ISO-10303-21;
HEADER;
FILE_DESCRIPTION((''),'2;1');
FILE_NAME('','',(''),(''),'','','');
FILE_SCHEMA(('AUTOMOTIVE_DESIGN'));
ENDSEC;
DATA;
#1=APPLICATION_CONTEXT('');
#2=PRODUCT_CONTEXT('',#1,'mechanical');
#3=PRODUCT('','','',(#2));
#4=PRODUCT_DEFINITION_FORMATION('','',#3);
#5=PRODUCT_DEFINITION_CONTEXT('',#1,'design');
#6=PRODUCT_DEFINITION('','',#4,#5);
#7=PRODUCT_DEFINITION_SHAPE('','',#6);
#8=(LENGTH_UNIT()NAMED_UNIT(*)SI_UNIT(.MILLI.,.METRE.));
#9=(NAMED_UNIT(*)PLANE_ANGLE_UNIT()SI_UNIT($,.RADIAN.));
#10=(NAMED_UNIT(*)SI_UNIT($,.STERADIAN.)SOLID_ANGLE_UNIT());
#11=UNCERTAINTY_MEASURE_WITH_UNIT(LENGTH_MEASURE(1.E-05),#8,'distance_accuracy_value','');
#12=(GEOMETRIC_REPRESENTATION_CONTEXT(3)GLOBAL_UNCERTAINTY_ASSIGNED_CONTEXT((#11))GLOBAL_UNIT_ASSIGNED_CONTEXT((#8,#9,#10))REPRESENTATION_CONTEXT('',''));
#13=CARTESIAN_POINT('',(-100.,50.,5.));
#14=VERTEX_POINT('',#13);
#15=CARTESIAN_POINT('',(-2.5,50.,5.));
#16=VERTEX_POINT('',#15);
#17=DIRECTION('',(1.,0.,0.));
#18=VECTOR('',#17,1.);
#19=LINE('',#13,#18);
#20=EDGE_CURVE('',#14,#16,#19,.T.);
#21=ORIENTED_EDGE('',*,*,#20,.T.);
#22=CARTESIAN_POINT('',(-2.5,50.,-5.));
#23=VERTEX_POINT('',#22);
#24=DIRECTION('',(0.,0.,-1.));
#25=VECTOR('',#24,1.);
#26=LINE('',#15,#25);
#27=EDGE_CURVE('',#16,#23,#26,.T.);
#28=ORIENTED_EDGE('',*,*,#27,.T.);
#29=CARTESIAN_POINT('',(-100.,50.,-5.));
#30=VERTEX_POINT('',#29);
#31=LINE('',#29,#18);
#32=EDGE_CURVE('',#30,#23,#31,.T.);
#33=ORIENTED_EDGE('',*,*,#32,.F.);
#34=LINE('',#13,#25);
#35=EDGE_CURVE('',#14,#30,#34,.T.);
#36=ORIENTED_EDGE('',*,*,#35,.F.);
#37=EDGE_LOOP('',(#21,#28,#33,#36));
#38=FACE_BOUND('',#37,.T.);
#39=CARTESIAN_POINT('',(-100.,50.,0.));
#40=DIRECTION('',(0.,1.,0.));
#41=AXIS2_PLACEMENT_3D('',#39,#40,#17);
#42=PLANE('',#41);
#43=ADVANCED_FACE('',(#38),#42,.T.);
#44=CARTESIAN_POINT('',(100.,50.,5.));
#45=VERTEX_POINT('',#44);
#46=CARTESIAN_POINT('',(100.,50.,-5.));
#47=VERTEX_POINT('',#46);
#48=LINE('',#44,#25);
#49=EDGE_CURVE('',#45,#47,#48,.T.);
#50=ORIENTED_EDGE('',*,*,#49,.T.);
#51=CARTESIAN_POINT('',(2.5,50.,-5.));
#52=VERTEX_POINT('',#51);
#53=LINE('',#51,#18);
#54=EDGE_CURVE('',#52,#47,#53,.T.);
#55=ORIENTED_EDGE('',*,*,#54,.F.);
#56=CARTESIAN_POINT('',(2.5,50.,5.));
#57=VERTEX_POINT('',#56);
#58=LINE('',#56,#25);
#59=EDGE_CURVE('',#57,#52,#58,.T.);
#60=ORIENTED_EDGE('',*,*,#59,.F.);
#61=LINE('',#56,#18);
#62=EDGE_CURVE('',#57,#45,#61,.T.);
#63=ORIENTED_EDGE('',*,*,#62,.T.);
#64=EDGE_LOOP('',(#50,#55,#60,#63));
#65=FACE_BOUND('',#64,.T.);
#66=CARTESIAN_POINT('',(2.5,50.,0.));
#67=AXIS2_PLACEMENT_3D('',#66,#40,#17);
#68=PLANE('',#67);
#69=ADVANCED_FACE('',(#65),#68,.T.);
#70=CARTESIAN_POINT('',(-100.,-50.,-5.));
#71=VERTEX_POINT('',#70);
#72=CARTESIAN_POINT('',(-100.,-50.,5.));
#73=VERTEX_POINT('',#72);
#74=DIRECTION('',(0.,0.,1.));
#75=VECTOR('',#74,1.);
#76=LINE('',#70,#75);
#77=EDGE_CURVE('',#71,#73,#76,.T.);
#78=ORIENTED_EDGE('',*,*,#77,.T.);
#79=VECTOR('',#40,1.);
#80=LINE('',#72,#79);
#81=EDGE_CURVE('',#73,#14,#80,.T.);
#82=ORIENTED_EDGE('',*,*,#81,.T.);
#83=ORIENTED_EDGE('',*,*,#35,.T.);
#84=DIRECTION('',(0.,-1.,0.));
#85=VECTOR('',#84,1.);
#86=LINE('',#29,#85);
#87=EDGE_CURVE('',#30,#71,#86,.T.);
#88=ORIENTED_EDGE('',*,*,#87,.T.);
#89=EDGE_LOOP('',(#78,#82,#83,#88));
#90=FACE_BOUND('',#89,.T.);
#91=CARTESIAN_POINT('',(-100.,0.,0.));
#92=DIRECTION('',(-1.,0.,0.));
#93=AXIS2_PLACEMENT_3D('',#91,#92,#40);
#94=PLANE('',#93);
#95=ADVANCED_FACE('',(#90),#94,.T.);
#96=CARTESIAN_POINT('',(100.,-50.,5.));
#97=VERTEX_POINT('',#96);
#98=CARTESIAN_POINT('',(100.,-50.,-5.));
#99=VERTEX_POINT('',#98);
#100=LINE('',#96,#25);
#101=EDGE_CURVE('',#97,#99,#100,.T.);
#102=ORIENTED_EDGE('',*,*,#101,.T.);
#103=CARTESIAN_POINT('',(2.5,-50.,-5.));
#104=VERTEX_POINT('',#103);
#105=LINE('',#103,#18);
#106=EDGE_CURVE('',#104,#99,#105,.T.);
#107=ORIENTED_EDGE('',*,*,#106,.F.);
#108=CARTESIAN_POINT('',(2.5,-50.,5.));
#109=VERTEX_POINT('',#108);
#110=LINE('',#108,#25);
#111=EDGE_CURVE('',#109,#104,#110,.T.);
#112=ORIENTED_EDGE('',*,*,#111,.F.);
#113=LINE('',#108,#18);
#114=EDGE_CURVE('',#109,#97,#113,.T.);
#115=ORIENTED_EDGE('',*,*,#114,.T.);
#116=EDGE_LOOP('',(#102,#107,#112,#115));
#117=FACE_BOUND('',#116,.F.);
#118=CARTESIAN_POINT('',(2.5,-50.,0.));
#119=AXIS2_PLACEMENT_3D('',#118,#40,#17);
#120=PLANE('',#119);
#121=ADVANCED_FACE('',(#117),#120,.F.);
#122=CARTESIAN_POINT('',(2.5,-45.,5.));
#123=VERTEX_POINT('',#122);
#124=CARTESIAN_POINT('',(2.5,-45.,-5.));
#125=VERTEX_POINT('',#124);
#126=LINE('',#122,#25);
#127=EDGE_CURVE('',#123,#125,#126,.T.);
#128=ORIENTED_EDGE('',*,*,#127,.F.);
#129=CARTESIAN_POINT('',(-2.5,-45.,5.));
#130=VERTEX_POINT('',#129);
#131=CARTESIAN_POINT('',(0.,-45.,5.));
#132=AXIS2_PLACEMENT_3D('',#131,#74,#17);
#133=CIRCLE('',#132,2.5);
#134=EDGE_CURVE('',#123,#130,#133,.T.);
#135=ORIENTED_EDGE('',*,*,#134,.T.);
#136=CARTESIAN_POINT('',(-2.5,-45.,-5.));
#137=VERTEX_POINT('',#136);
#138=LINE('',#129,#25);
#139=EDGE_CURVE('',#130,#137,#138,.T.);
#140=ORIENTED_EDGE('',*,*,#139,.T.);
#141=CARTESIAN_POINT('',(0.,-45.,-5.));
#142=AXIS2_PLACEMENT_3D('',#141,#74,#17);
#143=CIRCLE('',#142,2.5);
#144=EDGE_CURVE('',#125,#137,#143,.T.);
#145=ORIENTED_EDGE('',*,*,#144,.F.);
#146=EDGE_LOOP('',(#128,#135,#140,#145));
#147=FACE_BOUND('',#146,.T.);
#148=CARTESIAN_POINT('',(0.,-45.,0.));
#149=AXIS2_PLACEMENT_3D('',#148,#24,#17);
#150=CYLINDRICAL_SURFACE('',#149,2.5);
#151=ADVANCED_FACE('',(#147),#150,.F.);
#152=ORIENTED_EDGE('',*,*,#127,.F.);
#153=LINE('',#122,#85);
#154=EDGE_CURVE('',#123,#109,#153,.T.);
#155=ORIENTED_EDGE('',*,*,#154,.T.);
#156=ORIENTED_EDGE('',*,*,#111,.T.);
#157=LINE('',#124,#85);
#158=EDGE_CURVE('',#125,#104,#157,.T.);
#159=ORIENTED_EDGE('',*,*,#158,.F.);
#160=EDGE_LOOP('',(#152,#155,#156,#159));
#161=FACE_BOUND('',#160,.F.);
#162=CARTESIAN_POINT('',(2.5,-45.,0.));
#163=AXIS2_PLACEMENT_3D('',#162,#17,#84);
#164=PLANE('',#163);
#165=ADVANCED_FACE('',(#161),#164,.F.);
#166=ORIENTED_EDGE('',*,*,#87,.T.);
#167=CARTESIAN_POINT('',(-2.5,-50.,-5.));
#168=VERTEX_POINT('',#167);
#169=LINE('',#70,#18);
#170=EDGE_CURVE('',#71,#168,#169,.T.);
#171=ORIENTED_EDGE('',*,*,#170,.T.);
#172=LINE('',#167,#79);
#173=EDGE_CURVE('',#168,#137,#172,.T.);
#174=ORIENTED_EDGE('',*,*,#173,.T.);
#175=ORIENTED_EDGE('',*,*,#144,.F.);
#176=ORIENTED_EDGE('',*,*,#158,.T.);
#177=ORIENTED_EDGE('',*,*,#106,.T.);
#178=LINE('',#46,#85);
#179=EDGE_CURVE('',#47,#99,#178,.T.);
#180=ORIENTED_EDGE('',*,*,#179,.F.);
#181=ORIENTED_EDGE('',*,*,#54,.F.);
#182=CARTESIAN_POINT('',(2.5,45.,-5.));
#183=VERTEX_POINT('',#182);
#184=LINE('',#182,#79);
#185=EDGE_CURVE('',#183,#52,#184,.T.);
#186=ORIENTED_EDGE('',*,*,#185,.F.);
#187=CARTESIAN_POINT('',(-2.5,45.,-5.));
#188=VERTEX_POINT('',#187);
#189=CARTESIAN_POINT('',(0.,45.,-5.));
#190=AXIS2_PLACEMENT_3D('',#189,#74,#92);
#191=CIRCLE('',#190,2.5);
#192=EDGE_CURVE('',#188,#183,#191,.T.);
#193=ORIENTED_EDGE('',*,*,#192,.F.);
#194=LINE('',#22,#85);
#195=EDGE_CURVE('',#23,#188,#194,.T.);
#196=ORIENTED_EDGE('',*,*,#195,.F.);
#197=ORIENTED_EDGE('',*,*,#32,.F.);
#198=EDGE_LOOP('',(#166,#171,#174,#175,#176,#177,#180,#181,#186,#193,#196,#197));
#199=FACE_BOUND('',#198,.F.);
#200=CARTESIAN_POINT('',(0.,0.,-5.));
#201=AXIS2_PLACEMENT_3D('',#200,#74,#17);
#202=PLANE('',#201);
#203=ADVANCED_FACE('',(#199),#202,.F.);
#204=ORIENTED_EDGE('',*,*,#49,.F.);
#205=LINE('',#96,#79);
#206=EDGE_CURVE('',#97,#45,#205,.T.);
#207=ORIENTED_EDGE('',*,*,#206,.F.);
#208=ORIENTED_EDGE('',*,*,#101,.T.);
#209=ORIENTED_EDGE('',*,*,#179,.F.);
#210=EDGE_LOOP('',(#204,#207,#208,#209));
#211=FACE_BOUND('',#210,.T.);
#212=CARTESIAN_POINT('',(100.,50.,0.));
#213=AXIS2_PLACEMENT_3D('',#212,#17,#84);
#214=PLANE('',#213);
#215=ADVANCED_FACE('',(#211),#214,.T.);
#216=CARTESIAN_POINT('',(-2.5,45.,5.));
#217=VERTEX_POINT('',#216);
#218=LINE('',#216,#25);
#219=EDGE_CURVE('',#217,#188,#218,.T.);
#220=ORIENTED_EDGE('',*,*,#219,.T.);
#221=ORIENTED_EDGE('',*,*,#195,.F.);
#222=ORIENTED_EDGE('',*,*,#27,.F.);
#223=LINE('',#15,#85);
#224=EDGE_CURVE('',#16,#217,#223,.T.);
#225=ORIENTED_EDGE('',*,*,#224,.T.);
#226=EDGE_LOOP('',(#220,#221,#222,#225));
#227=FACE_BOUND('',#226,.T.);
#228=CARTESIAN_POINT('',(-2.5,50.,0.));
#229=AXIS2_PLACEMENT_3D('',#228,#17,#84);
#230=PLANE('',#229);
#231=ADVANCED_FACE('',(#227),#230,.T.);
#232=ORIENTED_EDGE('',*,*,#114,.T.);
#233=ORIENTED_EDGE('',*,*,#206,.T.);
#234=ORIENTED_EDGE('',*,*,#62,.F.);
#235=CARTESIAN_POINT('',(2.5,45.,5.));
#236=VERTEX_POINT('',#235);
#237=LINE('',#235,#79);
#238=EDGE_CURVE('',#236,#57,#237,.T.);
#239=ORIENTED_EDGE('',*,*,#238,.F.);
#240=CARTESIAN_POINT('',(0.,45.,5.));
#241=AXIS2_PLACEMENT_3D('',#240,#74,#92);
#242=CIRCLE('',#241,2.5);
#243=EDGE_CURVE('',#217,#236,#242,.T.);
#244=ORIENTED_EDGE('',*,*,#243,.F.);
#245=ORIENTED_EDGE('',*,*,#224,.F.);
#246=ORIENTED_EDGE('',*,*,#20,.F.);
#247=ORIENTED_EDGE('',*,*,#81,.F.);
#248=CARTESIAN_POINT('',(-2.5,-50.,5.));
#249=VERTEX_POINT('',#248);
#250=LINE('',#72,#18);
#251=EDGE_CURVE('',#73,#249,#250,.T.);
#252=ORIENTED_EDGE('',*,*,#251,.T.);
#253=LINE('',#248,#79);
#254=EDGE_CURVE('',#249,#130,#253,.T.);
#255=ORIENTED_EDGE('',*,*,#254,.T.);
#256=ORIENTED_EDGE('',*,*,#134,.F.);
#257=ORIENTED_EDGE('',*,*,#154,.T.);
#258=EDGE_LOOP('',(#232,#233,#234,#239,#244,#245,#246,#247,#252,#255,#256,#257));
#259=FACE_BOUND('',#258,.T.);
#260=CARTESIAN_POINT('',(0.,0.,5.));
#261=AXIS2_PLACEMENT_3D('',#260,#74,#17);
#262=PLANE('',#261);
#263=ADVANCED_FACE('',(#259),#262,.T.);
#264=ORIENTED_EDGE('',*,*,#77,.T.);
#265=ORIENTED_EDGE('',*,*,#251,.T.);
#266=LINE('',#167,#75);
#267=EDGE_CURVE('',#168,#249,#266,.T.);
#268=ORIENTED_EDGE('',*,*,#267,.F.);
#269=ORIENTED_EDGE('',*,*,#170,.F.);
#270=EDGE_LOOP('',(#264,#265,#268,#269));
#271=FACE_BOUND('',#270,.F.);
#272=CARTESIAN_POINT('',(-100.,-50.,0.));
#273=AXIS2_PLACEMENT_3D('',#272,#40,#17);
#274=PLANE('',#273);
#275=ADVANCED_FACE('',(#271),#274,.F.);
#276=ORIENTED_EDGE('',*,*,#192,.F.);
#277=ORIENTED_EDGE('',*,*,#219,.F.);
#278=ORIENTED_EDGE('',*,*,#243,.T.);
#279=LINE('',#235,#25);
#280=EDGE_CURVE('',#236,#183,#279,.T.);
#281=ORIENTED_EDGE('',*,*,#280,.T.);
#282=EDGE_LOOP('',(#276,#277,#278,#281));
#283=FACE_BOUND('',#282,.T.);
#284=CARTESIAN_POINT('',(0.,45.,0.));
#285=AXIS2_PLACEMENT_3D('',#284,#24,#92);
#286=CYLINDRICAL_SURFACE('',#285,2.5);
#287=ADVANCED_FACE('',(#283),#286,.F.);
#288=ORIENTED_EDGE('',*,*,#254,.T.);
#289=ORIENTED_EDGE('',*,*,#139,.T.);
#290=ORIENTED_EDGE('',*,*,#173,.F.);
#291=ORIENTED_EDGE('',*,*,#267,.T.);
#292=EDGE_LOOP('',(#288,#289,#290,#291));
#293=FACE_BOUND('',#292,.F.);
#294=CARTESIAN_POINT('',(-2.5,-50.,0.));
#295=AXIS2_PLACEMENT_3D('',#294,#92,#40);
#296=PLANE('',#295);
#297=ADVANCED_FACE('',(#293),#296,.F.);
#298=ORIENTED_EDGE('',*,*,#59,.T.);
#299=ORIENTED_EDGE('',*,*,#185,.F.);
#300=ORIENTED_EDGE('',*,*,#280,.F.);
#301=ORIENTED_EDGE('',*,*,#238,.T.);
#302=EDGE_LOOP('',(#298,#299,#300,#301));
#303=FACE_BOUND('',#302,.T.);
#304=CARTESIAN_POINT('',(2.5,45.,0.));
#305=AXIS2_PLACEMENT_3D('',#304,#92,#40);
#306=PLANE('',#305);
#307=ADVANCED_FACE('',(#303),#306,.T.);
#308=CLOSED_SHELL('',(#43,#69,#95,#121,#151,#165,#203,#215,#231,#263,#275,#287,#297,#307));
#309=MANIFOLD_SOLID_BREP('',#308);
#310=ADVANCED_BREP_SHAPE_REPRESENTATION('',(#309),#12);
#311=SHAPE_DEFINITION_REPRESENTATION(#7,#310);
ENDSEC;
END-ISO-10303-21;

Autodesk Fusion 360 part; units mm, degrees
sketch "Base_Surface" plane through (0, 0, 0) normal (0, 0, 1) x (1, 0, 0)
  line L0 (-100, 0) -> (-100, 50)
  line L1 (-100, 50) -> (-2.5, 50)
  line L2 (-2.5, 50) -> (-2.5, 45)
  arc A0 (-2.5, 45) -> (2.5, 45) centre (0, 45) ccw
  line L3 (2.5, 45) -> (2.5, 50)
  line L4 (2.5, 50) -> (100, 50)
  line L5 (100, 50) -> (100, 0)
  line L6 (-100, 0) -> (100, 0) construction
  line L7 (-100, 42.5) -> (100, 42.5) construction
  line L8 (0, 0) -> (0, 45) construction
  line L9 (-100, 0) -> (-100, -50)
  line L10 (-100, -50) -> (-2.5, -50)
  line L11 (2.5, -50) -> (100, -50)
  line L12 (100, -50) -> (100, 0)
  line L13 (2.5, -45) -> (2.5, -50)
  arc A1 (2.5, -45) -> (-2.5, -45) centre (0, -45) ccw
  line L14 (-2.5, -50) -> (-2.5, -45)
  dimension "Total_Width" = 200
  dimension "Notch_Radius" = 2.5
  dimension "Notch_Height" = 7.5
  dimension "Total_Height" = 100
extrude "Extrude1" add sketch "Base_Surface" along normal mid plane 10
equation "Thickness = 1 cm"
